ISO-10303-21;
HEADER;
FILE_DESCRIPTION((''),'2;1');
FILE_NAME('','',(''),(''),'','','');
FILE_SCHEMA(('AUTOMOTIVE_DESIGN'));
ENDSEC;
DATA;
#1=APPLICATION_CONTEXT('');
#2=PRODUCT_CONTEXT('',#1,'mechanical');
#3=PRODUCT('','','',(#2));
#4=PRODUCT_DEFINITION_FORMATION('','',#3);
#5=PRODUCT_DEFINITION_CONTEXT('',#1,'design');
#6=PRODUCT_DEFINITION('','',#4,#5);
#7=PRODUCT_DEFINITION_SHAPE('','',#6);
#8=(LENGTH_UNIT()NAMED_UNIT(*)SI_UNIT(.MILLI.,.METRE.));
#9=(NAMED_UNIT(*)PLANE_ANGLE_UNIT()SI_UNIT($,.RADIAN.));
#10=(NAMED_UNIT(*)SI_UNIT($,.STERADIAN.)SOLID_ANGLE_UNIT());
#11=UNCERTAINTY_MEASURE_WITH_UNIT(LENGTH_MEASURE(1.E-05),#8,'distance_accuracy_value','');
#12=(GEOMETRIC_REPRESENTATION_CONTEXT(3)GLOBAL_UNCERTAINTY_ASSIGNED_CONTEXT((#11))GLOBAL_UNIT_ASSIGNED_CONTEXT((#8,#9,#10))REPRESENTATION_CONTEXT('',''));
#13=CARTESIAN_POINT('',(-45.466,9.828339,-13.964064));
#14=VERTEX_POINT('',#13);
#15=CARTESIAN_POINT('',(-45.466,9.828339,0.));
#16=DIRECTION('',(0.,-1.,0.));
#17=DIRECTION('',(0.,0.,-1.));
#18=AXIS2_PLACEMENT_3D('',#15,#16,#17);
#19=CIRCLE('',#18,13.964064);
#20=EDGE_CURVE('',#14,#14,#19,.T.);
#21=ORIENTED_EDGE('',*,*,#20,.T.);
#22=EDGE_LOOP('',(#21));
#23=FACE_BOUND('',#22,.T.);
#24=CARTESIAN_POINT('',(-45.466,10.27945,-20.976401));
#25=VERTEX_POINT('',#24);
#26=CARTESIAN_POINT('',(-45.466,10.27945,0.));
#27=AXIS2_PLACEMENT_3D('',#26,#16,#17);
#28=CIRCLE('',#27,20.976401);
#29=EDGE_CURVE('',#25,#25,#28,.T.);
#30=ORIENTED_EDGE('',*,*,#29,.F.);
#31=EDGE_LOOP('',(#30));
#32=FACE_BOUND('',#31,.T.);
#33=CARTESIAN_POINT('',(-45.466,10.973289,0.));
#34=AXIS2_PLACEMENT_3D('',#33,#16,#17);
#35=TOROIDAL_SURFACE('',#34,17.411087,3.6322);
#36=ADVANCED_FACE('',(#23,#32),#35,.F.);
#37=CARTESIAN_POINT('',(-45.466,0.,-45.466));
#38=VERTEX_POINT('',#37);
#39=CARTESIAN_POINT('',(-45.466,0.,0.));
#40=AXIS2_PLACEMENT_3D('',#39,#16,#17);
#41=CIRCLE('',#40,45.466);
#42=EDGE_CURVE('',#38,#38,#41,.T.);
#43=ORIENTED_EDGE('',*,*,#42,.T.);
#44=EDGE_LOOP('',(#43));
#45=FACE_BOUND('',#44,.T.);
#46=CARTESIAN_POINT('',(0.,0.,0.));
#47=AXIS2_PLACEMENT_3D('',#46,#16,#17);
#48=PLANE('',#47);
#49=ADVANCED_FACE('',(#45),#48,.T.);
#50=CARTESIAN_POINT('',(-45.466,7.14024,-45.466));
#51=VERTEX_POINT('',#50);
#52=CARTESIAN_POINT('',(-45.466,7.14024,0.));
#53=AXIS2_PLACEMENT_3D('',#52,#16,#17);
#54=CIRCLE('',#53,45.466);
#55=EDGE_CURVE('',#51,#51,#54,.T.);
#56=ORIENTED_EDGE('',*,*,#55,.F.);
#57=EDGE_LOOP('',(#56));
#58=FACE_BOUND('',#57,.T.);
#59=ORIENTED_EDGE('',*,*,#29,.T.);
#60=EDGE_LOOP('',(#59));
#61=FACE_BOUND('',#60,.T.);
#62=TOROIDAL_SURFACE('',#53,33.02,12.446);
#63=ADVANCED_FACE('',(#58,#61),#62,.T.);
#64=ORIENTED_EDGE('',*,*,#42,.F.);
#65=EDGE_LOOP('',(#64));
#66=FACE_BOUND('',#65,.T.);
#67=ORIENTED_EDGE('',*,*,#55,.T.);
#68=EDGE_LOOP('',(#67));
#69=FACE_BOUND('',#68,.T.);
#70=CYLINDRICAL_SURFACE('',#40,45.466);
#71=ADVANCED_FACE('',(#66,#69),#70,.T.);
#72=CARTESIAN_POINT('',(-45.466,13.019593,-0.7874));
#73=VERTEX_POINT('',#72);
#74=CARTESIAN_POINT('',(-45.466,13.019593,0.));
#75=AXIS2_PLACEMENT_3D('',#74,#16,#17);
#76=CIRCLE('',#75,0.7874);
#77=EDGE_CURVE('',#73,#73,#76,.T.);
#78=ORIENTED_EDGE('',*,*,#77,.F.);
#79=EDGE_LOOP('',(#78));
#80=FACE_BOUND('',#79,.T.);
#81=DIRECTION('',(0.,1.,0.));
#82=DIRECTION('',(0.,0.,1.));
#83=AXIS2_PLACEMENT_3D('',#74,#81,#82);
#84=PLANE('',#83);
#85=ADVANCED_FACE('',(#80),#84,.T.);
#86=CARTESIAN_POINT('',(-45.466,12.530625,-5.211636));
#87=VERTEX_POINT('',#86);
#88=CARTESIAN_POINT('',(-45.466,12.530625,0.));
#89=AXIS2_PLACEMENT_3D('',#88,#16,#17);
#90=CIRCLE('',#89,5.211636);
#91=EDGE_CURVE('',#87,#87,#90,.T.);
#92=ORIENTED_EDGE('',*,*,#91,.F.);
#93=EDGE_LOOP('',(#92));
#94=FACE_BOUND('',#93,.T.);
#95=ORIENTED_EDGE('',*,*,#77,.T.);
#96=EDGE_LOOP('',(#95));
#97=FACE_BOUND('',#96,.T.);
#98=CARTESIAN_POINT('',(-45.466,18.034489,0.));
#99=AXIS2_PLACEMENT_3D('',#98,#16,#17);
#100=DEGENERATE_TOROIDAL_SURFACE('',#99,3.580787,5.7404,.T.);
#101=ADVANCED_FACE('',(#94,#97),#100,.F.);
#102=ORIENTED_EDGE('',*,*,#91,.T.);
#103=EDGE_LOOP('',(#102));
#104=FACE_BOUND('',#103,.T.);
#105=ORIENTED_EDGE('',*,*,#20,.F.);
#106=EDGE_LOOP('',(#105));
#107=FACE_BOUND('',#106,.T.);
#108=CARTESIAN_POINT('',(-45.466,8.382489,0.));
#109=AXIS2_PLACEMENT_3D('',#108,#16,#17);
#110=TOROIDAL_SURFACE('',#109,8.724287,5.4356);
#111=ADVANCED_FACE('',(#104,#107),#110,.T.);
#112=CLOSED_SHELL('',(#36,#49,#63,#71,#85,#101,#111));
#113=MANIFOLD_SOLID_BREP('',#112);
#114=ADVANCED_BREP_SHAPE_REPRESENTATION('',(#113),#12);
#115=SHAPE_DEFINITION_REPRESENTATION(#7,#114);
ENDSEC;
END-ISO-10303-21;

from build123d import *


with BuildPart() as part:
    # Sketch1 → Revolve1 (revolve)
    with BuildSketch(Plane.XY):
        with BuildLine():
            Line((0, 0), (0, 7.14024037))
            ThreePointArc((0, 7.14024037), (-10.863552097, 19.485230229), (-24.489599009, 10.279450287))
            ThreePointArc((-24.489599009, 10.279450287), (-27.821731607, 7.348582007), (-31.501935722, 9.82833889))
            ThreePointArc((-31.501935722, 9.82833889), (-35.138176859, 13.576179652), (-40.254364407, 12.530624802))
            ThreePointArc((-40.254364407, 12.530624802), (-42.51580515, 12.328830241), (-44.6786, 13.019593379))
            Line((-44.6786, 13.019593379), (-45.466, 13.019593379))
            Line((-45.466, 13.019593379), (-45.466, 0))
            Line((-45.466, 0), (0, 0))
        make_face()
    revolve(axis=Axis((-45.466, 0, 0), (0, 1, 0)))


solid = part.part
